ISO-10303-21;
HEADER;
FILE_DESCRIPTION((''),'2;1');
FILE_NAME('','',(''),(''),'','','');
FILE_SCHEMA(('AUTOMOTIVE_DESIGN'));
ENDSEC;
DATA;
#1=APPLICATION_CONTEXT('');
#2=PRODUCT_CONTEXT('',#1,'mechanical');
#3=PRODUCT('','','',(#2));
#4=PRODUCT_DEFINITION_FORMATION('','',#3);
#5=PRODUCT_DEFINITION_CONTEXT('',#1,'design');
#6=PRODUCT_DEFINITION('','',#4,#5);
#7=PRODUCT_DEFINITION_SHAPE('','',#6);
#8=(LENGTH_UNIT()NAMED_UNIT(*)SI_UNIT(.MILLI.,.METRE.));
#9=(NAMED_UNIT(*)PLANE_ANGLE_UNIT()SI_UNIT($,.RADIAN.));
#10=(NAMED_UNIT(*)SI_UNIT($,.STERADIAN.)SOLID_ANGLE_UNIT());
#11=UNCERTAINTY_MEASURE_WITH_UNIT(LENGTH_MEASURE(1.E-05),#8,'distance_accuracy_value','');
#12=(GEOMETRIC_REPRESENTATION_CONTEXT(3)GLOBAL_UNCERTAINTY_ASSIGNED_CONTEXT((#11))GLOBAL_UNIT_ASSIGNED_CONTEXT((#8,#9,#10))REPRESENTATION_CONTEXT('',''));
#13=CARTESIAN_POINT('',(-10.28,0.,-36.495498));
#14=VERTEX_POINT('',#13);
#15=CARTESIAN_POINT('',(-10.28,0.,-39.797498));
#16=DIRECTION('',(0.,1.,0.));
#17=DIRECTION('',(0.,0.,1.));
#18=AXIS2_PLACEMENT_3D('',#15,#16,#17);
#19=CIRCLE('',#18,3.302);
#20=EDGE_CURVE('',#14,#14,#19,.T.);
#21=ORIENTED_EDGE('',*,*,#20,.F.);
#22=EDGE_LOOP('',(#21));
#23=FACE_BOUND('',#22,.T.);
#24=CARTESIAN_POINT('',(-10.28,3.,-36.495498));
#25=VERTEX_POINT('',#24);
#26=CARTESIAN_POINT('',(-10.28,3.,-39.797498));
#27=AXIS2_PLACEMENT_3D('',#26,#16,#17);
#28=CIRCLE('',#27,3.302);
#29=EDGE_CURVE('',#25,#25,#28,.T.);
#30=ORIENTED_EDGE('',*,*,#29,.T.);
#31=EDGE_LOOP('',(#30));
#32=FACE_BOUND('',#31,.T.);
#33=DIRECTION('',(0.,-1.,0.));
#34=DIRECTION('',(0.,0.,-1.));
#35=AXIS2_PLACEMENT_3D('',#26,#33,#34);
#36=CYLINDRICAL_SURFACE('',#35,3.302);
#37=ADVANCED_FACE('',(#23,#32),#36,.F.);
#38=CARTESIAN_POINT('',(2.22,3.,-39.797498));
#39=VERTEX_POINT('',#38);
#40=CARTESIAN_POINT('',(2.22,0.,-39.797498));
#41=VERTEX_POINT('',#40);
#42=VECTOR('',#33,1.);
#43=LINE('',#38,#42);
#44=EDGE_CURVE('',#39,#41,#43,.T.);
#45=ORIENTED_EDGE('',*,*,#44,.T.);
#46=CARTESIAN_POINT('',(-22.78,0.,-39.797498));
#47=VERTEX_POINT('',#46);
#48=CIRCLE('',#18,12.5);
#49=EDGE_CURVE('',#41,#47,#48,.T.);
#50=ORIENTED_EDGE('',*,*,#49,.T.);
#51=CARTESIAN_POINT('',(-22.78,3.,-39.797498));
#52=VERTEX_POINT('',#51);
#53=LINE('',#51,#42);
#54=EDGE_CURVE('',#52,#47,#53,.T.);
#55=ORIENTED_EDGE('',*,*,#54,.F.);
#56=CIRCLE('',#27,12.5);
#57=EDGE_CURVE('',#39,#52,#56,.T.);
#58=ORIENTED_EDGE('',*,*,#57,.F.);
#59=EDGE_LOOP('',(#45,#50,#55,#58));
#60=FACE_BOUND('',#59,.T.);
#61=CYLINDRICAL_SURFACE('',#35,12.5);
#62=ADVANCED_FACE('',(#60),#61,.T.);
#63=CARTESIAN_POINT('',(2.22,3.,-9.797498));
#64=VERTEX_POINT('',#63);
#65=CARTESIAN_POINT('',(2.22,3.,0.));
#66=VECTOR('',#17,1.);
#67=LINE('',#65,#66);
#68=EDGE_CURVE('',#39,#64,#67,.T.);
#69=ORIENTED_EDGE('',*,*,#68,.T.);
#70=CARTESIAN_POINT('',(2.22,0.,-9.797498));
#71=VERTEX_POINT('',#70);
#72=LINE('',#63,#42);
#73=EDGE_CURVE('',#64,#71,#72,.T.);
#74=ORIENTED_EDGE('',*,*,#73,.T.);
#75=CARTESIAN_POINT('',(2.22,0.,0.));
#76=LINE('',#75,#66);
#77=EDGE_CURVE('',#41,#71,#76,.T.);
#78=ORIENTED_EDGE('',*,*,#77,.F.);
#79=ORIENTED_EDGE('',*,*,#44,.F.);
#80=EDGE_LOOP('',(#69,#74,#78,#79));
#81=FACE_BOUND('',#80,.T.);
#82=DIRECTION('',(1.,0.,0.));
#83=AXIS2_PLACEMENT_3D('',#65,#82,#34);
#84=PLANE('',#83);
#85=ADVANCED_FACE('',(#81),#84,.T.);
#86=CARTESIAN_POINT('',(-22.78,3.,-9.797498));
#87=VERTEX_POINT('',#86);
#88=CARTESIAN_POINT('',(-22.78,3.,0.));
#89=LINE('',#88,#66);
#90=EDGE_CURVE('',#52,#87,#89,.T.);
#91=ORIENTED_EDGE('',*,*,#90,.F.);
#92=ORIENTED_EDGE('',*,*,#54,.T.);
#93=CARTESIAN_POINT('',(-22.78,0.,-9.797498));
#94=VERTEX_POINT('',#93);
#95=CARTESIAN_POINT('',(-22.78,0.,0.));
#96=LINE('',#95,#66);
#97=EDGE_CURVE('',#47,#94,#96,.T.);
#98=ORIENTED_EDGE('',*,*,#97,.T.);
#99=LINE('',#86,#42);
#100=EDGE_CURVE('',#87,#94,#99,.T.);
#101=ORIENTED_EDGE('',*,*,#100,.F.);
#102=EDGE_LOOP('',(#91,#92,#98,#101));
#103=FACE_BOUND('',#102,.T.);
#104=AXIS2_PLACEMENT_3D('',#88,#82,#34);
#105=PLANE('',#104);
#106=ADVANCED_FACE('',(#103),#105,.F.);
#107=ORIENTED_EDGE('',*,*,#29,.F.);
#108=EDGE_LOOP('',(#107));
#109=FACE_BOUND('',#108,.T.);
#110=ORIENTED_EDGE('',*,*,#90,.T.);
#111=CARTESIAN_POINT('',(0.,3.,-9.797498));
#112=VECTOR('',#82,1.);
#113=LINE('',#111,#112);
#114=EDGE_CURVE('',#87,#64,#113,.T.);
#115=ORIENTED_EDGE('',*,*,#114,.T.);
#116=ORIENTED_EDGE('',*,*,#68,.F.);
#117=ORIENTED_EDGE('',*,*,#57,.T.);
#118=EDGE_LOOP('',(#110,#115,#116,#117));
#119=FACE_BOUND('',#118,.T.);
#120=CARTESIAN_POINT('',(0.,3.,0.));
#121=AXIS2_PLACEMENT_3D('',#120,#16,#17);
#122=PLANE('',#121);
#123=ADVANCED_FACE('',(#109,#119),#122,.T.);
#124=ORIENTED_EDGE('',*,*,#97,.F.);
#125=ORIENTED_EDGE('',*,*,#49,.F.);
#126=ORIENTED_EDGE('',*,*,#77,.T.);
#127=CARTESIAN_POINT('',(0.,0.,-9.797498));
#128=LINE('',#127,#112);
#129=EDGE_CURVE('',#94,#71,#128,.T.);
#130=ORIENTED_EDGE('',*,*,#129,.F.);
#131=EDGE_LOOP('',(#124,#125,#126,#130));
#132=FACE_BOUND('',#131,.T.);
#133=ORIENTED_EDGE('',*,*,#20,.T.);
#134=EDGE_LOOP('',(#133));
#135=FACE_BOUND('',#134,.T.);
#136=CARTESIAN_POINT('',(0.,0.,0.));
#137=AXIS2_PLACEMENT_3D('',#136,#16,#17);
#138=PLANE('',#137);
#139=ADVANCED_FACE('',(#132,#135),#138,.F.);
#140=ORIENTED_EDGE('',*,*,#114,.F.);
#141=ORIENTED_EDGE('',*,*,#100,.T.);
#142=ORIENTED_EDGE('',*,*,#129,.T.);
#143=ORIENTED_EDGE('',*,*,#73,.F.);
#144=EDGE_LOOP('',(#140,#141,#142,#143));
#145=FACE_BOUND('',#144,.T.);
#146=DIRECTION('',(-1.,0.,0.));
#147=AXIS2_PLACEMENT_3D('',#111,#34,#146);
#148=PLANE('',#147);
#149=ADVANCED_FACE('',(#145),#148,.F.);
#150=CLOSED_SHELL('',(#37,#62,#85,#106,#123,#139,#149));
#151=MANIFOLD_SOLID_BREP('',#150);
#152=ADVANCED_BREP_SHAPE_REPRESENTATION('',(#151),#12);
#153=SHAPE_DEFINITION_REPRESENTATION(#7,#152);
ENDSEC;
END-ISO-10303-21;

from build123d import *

# Parameters (mm, degrees)
SKETCH1_R           = 12.5
SKETCH1_R_2         = 3.302
BOSS_EXTRUDE1_DEPTH = 3


with BuildPart() as part:
    # Sketch1 → Boss-Extrude1 (new body)
    # profile 1 of 2: a face of its own
    with BuildSketch(Plane(origin=(0, 0, 0), x_dir=(1, 0, 0), z_dir=(0, 1, 0))):
        with BuildLine():
            ThreePointArc((2.22, 39.797498044), (-10.28, 27.297498044), (-22.78, 39.797498044))
            Line((-22.78, 39.797498044), (-22.78, 9.797498044))
            Line((-22.78, 9.797498044), (2.22, 9.797498044))
            Line((2.22, 9.797498044), (2.22, 39.797498044))
        make_face()
    # profile 2 of 2: a face of its own
    with BuildSketch(Plane(origin=(0, 0, 0), x_dir=(1, 0, 0), z_dir=(0, 1, 0))):
        with Locations((-10.28, 39.797498044)):
            Circle(SKETCH1_R)
        with Locations(Location((-10.28, 39.797498044, 0), (0, 0, 270))):
            Circle(SKETCH1_R_2, mode=Mode.SUBTRACT)
    extrude(amount=BOSS_EXTRUDE1_DEPTH)


solid = part.part
